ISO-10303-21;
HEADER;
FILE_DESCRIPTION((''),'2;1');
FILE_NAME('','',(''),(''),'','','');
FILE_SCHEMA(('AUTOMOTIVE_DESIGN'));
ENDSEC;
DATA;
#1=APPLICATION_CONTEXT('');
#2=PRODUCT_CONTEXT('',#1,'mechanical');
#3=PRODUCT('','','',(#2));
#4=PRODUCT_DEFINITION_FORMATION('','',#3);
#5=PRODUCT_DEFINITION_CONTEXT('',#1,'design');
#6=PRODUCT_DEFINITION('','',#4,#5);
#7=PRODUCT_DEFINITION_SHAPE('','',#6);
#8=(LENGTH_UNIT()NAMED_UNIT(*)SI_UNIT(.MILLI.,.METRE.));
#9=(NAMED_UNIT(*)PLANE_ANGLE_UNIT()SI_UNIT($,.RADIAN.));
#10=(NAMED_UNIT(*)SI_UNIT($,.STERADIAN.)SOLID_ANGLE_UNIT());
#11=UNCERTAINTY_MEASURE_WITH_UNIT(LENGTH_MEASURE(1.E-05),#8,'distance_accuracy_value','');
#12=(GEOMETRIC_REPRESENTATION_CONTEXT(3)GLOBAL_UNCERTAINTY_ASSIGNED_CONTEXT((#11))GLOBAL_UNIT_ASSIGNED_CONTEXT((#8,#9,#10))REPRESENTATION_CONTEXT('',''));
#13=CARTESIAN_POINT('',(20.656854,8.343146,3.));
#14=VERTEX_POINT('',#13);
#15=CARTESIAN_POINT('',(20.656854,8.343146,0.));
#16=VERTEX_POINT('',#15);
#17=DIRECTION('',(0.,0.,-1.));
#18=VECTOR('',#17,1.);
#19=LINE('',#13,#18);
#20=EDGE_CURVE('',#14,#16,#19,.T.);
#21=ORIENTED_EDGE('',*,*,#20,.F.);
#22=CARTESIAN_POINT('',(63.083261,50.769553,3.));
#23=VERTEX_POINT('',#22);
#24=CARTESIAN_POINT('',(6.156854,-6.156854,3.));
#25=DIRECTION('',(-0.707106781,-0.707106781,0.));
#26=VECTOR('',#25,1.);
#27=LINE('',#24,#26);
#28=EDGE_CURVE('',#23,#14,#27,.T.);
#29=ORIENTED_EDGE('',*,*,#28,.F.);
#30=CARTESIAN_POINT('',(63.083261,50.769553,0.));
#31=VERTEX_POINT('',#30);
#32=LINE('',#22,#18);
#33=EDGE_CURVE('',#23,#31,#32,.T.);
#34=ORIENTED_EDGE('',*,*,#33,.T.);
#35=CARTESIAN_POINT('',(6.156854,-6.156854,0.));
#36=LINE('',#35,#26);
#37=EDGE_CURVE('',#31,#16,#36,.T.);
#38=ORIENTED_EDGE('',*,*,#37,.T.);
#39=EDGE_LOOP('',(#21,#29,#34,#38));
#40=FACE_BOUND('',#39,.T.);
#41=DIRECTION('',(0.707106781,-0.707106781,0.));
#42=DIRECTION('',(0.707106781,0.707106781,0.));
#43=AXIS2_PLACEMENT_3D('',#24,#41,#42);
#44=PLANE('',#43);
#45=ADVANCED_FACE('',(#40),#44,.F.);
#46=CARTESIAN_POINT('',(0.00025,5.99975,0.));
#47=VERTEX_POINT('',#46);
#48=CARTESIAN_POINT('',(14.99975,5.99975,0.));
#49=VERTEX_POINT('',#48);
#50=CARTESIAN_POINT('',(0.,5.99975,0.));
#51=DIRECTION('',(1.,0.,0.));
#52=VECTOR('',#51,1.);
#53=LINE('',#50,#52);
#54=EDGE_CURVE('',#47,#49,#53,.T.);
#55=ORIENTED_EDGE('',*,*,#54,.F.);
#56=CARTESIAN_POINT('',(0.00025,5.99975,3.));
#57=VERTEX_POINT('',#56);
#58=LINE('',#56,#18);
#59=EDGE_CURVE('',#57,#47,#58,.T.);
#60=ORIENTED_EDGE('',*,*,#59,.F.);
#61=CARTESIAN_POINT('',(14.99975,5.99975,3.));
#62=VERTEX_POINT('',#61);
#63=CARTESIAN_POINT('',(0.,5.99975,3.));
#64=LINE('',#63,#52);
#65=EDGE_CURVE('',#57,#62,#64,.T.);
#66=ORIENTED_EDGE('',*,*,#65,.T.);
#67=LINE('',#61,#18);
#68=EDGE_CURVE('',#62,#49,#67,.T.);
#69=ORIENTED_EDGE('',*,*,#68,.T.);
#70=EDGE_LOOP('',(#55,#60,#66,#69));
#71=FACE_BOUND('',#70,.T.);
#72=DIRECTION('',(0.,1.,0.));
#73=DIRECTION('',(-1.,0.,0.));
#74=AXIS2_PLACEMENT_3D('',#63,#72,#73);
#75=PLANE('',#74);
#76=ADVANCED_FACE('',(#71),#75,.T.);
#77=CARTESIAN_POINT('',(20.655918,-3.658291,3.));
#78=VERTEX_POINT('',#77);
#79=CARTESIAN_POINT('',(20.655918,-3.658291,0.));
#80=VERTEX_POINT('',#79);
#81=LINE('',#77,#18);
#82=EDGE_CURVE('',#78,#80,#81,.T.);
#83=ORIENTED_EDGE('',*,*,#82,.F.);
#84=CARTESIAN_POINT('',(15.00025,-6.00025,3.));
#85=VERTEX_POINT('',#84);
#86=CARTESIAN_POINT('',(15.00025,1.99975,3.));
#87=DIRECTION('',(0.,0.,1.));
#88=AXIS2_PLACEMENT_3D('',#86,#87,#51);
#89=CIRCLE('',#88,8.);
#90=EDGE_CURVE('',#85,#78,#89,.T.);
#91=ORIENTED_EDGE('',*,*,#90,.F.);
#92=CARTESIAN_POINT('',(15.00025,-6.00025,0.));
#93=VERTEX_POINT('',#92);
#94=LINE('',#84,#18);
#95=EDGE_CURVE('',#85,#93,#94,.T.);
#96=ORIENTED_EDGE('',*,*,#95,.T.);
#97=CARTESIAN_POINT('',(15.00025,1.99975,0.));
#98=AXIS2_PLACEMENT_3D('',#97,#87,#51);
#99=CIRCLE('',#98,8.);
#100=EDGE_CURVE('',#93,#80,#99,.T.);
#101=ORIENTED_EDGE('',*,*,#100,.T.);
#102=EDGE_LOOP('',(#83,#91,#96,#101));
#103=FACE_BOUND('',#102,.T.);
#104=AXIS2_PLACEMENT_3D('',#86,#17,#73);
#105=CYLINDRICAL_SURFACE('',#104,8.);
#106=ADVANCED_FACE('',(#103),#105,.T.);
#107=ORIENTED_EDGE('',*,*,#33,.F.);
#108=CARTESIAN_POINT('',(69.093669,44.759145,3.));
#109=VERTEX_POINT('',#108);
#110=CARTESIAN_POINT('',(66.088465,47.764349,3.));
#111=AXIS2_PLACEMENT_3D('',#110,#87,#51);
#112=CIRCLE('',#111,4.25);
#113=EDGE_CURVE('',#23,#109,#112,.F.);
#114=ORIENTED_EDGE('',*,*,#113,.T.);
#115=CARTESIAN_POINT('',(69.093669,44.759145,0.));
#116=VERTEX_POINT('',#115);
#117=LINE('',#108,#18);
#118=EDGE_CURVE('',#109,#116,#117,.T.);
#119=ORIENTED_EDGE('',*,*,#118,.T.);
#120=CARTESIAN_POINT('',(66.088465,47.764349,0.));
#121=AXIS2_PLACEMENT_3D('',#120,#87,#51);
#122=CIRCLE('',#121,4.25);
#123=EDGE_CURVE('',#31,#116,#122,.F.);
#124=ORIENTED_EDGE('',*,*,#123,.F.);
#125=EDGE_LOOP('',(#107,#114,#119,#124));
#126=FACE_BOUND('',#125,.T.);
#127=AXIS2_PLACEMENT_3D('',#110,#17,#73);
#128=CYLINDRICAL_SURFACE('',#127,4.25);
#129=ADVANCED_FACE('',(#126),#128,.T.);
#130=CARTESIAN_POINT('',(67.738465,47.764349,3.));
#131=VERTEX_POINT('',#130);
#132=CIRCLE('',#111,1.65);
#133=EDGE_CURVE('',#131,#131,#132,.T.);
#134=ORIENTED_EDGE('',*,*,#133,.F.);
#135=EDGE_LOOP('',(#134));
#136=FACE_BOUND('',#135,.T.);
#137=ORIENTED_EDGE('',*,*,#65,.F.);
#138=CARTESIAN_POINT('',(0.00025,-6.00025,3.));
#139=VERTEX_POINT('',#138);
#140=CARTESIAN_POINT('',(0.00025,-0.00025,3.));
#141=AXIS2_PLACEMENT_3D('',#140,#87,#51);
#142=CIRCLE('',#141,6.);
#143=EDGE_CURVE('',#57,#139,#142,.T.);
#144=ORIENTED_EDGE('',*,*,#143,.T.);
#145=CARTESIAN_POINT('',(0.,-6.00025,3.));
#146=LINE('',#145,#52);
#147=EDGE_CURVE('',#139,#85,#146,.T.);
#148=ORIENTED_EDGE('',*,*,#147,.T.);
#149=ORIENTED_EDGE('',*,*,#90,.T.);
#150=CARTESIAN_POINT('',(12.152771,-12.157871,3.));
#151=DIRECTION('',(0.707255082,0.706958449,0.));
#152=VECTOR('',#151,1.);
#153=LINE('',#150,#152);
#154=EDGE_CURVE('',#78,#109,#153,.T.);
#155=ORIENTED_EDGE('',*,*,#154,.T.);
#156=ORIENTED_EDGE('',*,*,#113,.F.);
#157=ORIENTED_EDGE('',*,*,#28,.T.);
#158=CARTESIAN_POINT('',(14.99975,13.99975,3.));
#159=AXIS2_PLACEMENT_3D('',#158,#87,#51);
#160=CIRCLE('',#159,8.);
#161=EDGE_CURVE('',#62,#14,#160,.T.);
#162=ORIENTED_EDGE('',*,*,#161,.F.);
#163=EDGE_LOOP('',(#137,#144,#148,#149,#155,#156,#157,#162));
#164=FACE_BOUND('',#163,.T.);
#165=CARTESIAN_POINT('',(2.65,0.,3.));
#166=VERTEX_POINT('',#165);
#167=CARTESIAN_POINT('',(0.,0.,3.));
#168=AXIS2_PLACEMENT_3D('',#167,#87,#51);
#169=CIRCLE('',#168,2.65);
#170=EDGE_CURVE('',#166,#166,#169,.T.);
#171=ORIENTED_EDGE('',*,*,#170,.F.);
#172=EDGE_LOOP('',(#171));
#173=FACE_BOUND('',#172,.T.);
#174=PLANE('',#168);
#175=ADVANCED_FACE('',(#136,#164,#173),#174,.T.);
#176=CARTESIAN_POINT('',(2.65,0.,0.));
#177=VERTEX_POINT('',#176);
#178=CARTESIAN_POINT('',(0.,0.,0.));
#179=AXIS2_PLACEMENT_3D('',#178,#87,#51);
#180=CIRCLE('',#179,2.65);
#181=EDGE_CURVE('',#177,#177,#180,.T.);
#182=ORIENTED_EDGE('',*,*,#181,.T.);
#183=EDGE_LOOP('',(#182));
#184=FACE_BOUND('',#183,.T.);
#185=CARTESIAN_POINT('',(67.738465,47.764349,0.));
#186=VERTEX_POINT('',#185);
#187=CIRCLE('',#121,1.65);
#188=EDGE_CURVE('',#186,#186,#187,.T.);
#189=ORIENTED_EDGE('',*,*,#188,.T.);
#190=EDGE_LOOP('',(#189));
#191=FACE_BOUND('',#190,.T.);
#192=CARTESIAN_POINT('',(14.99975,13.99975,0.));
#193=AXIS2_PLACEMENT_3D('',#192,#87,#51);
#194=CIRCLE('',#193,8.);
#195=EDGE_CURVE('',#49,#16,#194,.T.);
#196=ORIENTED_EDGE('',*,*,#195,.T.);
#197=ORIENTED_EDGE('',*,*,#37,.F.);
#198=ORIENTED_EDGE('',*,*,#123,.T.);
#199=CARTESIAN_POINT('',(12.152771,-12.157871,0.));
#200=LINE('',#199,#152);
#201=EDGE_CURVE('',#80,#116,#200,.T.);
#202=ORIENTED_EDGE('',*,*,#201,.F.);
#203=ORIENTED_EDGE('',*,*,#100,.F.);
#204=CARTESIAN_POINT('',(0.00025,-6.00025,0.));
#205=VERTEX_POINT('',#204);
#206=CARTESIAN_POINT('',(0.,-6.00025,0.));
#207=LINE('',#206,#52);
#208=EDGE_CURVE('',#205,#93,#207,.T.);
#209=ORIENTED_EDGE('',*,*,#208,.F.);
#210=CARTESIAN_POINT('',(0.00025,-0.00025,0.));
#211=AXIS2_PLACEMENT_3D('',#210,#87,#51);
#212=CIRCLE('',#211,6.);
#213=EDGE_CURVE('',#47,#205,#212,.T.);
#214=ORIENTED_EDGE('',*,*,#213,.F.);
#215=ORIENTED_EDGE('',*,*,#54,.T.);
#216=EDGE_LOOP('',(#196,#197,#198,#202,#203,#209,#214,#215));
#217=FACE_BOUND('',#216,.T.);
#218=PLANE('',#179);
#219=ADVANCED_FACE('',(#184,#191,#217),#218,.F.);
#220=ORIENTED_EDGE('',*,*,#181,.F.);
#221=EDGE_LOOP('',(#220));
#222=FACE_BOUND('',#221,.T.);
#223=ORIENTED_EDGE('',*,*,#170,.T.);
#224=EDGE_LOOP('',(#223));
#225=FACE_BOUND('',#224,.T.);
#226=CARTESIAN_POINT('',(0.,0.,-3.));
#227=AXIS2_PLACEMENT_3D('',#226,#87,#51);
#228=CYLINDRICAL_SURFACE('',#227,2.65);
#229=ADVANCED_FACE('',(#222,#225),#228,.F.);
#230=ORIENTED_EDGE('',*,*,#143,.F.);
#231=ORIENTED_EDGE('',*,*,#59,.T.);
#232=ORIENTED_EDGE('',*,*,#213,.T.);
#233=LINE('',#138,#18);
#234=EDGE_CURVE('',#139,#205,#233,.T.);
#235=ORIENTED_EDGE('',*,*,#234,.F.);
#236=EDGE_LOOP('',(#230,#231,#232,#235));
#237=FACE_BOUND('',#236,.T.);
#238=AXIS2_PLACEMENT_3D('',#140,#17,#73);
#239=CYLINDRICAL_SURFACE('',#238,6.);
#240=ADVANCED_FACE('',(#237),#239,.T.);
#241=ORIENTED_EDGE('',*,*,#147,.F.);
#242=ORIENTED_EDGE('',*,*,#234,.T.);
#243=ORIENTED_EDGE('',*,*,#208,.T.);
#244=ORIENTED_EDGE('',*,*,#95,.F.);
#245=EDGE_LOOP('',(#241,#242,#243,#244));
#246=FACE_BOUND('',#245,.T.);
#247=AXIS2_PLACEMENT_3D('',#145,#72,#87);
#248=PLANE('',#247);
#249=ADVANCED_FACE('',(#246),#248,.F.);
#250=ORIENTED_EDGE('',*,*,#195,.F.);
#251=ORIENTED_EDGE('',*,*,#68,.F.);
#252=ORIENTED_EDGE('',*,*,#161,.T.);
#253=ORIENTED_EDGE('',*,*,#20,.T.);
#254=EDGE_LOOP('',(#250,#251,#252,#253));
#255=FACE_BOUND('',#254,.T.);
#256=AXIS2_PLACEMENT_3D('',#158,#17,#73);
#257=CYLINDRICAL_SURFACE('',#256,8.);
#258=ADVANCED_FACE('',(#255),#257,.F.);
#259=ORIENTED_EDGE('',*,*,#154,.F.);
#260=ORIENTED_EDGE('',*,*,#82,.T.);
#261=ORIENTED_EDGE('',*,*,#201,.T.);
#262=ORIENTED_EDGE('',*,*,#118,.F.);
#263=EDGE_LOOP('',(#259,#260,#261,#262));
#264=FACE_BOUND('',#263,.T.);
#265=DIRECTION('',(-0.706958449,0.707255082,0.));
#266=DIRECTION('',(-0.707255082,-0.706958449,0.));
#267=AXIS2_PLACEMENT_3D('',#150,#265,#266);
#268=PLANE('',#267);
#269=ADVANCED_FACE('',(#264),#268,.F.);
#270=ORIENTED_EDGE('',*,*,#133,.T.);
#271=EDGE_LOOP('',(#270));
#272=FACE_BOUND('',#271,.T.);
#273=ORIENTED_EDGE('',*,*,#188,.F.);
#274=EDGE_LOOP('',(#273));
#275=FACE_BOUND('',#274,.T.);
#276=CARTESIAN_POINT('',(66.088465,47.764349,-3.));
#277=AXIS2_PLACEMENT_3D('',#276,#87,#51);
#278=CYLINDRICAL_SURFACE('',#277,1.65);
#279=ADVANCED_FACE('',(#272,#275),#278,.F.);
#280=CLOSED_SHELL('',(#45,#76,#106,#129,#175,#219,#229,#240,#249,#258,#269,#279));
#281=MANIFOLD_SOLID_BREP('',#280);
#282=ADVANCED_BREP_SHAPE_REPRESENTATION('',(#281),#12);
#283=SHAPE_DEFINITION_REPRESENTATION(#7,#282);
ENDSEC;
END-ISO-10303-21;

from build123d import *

# Parameters (mm, degrees)
EXTRUDE_1_DEPTH     = 3
SKETCH_9_R          = 2.65
SKETCH_9_R_2        = 1.65
CUT_EXTRUDE_5_DEPTH = 6


with BuildPart() as part:
    # 草图1 → 凸台-拉伸1 (new body)
    with BuildSketch(Plane.XY):
        with BuildLine():
            Line((0.000249999, 5.999750001), (14.999750012, 5.999750001))
            ThreePointArc((14.999750012, 5.999750001), (18.061380786, 6.60878139), (20.656854249, 8.343145751))
            Line((20.656854249, 8.343145751), (63.083261121, 50.769552622))
            ThreePointArc((63.083261121, 50.769552622), (69.093668761, 50.769552622), (69.093668761, 44.759144982))
            Line((69.093668761, 44.759144982), (20.65591759, -3.658290659))
            ThreePointArc((20.65591759, -3.658290659), (18.060942301, -5.391607293), (15.000249999, -6.000249999))
            Line((15.000249999, -6.000249999), (0.000249999, -6.000249999))
            ThreePointArc((0.000249999, -6.000249999), (-5.999750001, -0.000249999), (0.000249999, 5.999750001))
        make_face()
    extrude(amount=EXTRUDE_1_DEPTH)

    # 草图9 → 切除-拉伸5 (cut)
    with BuildSketch(Plane.XY.offset(3)):
        Circle(SKETCH_9_R)
        with Locations((66.088464941, 47.764348802)):
            Circle(SKETCH_9_R_2)
    extrude(amount=-CUT_EXTRUDE_5_DEPTH, mode=Mode.SUBTRACT)


solid = part.part
